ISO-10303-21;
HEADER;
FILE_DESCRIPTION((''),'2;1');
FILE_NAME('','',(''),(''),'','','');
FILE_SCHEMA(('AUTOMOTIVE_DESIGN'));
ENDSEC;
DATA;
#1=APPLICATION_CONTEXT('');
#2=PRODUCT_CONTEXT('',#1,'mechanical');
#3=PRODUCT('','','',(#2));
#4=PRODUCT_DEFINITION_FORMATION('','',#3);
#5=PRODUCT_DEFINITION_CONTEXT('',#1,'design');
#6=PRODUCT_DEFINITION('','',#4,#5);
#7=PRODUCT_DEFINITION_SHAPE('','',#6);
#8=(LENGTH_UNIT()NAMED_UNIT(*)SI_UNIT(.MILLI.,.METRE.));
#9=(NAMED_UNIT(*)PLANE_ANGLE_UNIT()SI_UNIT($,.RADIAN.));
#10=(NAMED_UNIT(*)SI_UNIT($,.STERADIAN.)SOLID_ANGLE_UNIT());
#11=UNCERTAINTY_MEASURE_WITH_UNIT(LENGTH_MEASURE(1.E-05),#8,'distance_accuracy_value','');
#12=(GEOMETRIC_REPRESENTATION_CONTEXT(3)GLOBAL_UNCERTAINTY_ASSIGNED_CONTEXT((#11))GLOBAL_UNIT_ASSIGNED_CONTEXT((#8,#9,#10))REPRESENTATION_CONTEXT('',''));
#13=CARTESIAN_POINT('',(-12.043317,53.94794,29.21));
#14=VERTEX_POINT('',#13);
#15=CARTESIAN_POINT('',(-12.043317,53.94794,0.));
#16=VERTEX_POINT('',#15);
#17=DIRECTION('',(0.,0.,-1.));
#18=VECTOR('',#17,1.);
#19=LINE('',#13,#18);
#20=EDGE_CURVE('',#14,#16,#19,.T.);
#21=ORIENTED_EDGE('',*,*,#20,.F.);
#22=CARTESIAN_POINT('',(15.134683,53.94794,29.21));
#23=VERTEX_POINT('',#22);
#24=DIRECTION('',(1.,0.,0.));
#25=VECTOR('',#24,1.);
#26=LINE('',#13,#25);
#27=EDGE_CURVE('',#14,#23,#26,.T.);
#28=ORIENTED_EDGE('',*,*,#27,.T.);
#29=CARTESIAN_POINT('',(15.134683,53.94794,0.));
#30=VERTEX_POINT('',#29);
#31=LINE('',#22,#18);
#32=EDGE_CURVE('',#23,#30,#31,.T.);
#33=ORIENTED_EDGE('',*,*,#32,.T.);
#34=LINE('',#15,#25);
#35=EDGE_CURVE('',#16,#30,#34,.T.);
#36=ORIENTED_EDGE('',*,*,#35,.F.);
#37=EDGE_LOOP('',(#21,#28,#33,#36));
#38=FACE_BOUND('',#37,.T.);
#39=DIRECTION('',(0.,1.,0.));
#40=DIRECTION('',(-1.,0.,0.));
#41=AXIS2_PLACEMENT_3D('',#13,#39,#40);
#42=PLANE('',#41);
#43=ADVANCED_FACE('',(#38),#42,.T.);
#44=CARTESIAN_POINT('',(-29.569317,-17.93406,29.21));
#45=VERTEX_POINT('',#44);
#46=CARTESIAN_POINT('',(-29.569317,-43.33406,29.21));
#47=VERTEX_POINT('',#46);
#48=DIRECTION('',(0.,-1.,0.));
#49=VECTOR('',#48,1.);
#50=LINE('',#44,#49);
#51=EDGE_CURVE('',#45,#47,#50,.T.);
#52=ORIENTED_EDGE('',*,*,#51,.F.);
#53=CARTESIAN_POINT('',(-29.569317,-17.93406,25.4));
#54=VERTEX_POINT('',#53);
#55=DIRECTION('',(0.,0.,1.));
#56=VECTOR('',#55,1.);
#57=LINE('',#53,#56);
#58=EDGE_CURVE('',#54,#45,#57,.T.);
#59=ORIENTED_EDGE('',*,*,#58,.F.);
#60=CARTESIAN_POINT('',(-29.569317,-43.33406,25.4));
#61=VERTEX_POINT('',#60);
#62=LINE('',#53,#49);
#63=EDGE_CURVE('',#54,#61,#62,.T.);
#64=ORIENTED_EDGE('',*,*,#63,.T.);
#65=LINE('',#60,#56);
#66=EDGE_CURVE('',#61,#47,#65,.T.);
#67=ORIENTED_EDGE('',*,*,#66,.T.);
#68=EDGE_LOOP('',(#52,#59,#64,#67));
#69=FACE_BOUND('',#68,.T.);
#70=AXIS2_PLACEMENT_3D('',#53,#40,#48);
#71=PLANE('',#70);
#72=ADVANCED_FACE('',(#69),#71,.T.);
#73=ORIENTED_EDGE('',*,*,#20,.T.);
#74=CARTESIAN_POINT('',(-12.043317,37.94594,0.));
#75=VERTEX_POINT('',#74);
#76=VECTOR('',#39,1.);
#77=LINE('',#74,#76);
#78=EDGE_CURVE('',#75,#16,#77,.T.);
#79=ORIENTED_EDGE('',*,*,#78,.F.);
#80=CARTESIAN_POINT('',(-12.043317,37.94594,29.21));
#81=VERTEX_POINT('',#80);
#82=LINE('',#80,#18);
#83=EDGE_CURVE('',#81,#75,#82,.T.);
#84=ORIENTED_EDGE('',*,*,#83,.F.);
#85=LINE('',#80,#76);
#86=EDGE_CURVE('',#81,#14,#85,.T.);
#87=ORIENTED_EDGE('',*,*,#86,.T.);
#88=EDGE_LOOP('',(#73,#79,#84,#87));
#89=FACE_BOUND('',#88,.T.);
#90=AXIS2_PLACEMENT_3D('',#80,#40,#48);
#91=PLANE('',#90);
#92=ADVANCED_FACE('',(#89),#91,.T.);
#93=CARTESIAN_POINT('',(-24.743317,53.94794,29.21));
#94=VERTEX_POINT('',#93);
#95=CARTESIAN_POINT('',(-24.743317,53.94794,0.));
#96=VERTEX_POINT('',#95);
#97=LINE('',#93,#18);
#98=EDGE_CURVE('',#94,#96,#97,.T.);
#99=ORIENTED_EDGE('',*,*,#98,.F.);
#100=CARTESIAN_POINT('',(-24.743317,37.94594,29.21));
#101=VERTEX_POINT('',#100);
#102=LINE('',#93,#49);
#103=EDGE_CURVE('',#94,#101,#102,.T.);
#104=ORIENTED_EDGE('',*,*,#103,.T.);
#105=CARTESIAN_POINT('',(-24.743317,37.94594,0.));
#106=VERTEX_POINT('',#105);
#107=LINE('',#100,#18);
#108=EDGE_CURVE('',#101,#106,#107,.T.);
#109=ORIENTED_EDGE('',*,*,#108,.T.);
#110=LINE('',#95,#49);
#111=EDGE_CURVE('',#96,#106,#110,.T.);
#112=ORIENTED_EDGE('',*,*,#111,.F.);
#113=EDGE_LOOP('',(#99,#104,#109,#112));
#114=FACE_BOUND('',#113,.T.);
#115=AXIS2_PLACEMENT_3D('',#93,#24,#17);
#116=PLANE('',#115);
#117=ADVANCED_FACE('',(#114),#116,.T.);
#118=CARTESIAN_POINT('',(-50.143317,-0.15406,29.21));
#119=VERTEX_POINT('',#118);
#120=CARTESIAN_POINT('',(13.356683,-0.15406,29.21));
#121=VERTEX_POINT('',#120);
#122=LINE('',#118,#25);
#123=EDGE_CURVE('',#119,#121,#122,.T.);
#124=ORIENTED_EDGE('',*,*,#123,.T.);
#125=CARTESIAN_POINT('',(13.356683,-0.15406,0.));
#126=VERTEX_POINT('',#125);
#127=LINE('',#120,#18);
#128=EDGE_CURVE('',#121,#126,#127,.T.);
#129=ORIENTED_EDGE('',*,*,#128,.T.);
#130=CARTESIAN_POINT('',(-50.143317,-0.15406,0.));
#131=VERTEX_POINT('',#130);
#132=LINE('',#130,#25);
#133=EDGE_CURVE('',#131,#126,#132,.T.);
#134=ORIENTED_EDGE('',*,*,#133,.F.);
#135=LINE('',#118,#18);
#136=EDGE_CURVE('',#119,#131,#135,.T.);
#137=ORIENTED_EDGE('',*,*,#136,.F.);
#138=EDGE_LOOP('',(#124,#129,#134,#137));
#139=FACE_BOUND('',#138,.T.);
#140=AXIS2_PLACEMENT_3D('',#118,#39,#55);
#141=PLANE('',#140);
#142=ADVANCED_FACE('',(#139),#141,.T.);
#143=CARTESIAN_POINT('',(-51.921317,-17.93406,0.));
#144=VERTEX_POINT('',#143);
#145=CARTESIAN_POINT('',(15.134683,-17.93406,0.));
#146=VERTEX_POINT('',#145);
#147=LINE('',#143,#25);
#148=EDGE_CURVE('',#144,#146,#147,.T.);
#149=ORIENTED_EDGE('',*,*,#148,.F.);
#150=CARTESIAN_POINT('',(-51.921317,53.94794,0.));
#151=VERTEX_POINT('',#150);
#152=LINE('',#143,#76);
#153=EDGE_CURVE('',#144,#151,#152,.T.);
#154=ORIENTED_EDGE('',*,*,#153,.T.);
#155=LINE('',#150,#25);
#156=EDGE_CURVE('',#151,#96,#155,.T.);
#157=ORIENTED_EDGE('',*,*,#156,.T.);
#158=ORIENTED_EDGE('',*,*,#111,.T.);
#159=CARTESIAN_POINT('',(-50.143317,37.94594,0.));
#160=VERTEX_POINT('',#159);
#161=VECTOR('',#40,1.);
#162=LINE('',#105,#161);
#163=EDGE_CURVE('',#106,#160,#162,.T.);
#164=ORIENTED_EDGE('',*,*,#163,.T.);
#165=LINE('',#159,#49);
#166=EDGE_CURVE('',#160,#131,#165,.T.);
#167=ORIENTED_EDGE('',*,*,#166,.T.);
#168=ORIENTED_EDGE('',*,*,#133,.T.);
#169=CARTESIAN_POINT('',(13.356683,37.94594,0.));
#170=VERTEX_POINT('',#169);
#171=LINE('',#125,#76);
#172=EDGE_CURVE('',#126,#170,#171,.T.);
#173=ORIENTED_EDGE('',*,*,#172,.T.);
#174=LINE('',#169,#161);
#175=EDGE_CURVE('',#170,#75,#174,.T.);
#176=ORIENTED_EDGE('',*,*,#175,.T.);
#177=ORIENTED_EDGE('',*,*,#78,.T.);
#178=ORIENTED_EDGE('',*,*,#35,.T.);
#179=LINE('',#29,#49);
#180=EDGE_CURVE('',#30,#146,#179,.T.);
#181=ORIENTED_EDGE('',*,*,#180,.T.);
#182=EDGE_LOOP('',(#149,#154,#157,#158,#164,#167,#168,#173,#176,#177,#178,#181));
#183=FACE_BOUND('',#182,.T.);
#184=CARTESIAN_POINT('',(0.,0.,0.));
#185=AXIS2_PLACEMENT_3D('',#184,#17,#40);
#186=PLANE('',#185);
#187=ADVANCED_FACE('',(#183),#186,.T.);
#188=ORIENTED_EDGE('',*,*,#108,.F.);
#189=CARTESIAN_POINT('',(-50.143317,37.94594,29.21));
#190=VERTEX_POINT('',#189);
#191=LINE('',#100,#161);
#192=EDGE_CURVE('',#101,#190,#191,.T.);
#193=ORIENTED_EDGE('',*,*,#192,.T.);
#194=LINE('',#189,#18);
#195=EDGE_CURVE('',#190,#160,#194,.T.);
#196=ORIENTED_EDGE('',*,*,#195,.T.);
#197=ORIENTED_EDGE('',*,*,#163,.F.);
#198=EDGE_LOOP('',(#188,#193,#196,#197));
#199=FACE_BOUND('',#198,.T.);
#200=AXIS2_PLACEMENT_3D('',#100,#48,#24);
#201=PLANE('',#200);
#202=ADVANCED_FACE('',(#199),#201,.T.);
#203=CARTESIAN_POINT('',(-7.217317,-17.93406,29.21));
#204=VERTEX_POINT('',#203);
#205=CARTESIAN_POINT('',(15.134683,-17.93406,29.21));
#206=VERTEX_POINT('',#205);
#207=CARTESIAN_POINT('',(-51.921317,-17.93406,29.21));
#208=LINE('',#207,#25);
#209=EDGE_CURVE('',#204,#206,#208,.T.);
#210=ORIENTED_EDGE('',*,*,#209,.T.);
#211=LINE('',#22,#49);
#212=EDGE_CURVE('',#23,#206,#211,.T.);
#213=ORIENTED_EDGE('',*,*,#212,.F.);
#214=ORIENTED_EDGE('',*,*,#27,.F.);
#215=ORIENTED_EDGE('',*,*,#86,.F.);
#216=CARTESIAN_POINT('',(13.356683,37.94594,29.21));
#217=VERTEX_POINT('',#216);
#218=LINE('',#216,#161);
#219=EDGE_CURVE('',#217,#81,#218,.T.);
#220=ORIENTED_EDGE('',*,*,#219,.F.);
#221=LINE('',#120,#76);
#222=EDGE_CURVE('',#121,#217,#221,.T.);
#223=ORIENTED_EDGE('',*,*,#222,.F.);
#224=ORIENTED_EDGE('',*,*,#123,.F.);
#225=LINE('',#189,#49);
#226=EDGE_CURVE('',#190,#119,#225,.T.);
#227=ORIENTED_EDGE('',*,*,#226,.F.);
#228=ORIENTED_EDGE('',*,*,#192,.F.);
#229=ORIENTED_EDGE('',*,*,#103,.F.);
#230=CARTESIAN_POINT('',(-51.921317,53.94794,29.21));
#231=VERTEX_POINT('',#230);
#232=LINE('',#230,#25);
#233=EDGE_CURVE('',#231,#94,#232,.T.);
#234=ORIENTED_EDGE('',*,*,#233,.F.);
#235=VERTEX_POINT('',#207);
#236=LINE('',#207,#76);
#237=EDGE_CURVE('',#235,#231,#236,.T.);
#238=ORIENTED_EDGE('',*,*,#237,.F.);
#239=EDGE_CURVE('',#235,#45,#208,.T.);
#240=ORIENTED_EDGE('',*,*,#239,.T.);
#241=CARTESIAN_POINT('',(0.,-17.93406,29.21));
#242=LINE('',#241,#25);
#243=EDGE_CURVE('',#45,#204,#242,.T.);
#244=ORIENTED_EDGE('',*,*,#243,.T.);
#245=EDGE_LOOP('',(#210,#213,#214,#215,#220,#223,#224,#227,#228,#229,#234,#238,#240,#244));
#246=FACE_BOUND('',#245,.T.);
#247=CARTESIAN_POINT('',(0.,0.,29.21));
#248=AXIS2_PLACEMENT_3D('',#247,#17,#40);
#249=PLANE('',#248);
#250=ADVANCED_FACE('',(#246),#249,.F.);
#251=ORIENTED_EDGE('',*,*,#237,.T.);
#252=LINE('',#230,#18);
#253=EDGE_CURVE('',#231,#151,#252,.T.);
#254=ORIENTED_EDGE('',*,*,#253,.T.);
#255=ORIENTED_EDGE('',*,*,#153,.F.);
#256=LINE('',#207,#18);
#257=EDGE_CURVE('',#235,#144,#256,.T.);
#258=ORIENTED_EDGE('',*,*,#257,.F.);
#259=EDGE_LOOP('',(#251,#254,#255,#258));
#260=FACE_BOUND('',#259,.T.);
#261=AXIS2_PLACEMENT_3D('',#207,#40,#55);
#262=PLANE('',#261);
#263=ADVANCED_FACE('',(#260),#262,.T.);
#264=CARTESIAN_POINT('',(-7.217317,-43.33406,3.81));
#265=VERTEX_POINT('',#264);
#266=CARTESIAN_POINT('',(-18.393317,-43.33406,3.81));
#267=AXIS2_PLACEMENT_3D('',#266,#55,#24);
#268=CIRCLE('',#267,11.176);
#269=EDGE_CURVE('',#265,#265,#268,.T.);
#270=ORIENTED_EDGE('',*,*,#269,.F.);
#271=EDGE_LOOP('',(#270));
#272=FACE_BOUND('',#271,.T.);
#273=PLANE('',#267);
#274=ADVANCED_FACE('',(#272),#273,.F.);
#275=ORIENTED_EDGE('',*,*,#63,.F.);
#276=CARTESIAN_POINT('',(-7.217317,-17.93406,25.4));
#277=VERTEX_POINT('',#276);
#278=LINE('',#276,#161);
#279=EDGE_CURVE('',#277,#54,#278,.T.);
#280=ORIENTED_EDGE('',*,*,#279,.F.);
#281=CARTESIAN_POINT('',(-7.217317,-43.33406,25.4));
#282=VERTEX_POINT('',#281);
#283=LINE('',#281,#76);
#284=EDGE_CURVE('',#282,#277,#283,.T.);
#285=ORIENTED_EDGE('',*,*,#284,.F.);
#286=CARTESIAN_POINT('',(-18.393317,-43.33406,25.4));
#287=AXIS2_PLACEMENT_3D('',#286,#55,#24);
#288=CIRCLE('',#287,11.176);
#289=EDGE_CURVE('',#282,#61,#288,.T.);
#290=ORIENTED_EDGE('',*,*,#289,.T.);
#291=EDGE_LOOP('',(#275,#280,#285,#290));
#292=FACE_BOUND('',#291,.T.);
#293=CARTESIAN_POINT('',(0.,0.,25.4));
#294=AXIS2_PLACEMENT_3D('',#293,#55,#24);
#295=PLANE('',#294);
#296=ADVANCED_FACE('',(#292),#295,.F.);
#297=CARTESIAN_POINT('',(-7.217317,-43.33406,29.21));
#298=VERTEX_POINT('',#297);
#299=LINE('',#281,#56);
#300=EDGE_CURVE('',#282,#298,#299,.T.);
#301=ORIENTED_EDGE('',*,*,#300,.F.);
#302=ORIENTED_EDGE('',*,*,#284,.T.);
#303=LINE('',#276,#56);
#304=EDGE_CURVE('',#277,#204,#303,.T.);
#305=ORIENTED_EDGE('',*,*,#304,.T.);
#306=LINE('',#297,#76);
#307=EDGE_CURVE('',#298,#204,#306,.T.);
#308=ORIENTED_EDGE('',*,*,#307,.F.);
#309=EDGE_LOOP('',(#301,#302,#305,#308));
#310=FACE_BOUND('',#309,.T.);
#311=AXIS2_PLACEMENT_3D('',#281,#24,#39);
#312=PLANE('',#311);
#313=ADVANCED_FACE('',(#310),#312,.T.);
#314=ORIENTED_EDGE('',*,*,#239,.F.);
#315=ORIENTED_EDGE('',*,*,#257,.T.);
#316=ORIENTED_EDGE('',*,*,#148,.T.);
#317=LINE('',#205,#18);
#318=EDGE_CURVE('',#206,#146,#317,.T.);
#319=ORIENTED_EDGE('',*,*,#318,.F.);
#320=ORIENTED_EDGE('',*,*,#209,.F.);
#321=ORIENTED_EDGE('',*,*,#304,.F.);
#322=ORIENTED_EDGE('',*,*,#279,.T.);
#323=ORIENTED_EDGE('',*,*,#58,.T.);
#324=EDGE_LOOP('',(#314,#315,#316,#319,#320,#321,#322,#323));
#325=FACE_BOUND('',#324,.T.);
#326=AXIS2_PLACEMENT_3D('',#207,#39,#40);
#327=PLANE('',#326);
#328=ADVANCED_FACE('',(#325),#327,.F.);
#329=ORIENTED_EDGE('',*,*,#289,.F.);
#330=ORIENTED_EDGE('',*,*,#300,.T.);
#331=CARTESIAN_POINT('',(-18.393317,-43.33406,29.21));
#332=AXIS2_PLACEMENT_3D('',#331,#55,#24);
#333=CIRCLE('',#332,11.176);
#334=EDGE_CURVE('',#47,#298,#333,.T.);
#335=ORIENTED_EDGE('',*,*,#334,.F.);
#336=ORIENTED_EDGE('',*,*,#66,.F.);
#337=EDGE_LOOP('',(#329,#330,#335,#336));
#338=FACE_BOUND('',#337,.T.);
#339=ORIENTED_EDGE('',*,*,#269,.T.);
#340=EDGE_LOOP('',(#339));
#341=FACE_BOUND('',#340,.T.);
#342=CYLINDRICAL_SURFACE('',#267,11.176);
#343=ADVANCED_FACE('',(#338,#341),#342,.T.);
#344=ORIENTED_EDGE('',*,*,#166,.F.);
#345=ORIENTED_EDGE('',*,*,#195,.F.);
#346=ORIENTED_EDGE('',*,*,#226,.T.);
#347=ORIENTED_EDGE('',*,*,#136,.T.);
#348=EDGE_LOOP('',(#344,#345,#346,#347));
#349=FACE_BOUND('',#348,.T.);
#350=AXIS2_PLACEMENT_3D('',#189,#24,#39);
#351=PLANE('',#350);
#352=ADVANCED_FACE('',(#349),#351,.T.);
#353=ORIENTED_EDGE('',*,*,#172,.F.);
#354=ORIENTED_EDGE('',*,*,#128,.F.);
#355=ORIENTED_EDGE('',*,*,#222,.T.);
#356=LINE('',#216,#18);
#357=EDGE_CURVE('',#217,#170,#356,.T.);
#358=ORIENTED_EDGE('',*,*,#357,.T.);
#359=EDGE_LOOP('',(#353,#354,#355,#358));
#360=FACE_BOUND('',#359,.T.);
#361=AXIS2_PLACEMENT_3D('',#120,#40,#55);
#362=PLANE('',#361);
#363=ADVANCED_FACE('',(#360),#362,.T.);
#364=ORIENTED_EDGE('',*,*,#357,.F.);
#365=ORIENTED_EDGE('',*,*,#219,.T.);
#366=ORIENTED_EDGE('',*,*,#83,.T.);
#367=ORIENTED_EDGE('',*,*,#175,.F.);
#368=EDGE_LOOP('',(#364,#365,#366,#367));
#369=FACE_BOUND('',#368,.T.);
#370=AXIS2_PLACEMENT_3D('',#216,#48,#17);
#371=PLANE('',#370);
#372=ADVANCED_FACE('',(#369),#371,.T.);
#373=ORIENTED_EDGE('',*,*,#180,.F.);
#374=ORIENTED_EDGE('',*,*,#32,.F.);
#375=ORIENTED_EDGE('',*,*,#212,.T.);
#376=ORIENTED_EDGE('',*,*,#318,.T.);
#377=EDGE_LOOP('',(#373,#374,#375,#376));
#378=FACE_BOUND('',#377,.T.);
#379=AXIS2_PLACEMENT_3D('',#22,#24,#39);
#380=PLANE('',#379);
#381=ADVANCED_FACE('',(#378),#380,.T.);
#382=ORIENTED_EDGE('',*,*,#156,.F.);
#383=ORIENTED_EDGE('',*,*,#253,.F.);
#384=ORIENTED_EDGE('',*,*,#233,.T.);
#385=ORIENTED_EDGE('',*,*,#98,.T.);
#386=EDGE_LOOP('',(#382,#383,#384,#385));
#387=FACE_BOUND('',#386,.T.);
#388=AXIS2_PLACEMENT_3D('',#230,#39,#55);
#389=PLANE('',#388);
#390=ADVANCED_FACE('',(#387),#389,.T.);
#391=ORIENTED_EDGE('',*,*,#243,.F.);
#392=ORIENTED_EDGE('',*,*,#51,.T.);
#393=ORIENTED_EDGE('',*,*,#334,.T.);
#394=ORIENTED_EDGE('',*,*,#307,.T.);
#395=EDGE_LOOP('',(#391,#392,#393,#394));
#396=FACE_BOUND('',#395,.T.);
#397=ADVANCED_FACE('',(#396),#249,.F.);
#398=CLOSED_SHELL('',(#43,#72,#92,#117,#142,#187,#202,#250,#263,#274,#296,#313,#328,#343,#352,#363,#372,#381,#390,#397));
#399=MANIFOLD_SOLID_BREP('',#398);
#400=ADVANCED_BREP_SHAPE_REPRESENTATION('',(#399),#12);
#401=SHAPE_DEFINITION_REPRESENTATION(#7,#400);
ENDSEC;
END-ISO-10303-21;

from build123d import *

# Parameters (mm, degrees)
BOSS_EXTRUDE2_DEPTH = 29.21
SKETCH2_W           = 22.352
SKETCH2_H           = 25.4
BOSS_EXTRUDE3_DEPTH = 3.81
SKETCH5_R           = 11.176
BOSS_EXTRUDE6_DEPTH = 25.4


with BuildPart() as part:
    # Sketch1 → Boss-Extrude2 (new body)
    with BuildSketch(Plane.XY):
        Polygon((-12.043317073, 53.947940362), (15.134682927, 53.947940362), (15.134682927, -17.934059638), (-51.921317073, -17.934059638), (-51.921317073, 53.947940362), (-24.743317073, 53.947940362), (-24.743317073, 37.945940362), (-50.143317073, 37.945940362), (-50.143317073, -0.154059638), (13.356682927, -0.154059638), (13.356682927, 37.945940362), (-12.043317073, 37.945940362), align=None)
    extrude(amount=BOSS_EXTRUDE2_DEPTH)

    # Sketch2 → Boss-Extrude3 (add)
    with BuildSketch(Plane.XY.offset(29.21)):
        with Locations((-18.393317073, -30.634059638)):
            Rectangle(SKETCH2_W, SKETCH2_H)
    extrude(amount=-BOSS_EXTRUDE3_DEPTH)

    # Sketch5 → Boss-Extrude6 (add)
    with BuildSketch(Plane.XY.offset(29.21)):
        with Locations((-18.393317073, -43.334059638)):
            Circle(SKETCH5_R)
    extrude(amount=-BOSS_EXTRUDE6_DEPTH)


solid = part.part
